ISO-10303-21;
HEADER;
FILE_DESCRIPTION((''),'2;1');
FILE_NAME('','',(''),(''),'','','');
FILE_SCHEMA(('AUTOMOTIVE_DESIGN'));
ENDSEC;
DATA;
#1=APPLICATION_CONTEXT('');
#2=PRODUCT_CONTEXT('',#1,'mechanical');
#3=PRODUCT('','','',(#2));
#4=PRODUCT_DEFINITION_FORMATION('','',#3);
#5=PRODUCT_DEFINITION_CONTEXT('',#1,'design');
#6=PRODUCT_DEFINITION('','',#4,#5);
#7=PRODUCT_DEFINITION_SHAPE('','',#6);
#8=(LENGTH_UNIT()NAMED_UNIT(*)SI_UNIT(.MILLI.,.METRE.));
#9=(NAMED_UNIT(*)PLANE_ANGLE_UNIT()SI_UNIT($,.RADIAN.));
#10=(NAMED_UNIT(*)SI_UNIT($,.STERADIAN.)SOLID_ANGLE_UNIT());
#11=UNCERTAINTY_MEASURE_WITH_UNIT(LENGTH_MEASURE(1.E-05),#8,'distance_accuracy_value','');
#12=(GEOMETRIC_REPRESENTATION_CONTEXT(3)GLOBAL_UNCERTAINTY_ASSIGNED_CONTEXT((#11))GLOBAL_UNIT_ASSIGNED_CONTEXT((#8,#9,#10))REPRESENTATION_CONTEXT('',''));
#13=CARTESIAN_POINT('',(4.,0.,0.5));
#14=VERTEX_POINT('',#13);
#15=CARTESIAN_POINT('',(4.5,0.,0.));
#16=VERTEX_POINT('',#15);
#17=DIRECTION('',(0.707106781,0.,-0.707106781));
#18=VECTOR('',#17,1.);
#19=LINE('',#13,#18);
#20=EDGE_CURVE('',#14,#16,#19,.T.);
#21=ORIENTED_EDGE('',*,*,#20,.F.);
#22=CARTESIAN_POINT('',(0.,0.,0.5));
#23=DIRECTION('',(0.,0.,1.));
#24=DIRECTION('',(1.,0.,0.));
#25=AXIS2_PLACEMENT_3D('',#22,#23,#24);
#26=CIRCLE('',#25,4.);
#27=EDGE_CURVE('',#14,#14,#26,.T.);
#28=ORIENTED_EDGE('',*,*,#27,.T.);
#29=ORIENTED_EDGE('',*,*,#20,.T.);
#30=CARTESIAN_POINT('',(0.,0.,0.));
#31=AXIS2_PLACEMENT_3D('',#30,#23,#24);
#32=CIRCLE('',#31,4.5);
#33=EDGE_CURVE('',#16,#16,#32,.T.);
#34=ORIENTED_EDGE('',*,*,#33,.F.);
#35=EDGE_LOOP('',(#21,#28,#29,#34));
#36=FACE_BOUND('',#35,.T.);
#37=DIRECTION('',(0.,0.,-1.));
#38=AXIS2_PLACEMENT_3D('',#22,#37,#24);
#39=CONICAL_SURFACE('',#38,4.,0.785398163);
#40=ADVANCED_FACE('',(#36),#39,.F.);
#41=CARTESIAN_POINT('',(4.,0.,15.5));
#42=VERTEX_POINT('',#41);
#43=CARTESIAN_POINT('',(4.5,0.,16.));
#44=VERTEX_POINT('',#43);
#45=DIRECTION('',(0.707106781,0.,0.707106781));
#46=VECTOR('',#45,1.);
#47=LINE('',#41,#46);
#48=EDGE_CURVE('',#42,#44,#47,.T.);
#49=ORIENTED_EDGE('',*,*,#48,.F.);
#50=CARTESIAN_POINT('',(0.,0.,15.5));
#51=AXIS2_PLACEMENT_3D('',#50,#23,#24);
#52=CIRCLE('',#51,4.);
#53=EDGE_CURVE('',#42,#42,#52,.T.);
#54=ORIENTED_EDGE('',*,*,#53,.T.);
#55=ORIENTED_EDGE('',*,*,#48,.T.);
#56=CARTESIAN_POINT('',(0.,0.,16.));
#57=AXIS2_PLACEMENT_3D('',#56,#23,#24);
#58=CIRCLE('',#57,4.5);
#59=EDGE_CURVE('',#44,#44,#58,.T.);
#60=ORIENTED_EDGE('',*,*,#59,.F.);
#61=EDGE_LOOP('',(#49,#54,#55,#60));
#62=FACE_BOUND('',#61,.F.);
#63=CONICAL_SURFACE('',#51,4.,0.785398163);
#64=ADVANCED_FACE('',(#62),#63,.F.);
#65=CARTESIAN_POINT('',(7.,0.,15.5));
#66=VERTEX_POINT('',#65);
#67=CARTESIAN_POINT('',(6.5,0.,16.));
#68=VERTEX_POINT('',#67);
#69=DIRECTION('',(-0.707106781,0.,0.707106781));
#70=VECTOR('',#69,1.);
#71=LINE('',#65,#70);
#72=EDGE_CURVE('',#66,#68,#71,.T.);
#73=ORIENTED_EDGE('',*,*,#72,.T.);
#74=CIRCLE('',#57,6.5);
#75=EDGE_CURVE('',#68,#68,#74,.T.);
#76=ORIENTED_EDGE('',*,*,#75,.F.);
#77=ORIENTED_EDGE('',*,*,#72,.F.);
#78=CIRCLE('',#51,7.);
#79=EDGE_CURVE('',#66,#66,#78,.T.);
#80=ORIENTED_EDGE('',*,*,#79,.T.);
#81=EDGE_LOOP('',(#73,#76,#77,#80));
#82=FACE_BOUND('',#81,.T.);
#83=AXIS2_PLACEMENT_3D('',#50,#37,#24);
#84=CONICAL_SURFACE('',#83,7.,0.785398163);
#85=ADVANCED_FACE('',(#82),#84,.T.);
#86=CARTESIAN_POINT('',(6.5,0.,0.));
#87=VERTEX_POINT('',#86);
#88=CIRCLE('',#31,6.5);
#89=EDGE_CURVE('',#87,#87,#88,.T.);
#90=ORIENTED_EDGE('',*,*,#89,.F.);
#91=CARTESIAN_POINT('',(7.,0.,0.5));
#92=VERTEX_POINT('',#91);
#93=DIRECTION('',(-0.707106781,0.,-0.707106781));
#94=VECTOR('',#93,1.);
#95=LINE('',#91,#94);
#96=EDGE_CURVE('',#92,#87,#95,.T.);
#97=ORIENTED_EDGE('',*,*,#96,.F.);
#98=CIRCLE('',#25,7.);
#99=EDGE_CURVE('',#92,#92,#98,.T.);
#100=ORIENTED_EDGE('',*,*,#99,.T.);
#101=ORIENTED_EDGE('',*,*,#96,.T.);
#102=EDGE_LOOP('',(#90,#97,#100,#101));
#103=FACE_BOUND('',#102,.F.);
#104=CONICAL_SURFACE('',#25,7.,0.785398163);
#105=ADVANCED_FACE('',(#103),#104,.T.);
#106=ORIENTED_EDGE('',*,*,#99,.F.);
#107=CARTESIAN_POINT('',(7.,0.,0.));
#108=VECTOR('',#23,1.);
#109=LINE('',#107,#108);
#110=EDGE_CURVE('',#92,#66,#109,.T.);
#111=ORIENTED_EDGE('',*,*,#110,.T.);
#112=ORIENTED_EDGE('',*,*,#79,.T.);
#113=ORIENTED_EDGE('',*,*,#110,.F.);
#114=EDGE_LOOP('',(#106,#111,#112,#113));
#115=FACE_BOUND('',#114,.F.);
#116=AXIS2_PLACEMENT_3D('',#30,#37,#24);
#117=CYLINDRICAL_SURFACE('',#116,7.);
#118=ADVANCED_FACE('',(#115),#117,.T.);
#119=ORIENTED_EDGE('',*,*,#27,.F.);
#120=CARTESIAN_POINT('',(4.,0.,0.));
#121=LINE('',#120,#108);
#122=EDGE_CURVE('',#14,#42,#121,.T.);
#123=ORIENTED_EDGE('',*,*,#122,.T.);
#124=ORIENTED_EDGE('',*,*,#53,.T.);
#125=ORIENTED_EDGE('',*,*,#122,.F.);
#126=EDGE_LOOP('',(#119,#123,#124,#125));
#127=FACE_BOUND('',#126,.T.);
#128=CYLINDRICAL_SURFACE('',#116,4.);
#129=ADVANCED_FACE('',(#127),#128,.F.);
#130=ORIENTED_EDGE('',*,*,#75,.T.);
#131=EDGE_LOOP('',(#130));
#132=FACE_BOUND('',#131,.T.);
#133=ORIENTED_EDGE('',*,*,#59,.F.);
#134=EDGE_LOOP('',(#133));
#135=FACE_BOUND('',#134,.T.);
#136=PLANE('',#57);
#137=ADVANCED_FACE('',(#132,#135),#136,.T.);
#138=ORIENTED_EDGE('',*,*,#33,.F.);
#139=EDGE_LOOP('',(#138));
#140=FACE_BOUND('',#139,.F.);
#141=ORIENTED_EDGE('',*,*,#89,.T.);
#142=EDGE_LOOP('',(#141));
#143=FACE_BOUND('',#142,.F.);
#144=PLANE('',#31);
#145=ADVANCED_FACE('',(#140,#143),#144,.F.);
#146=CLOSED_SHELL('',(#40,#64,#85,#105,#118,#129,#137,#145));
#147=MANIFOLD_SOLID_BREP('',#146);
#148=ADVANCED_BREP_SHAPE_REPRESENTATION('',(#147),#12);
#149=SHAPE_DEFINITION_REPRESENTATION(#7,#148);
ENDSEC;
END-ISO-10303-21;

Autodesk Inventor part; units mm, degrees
ref_plane "YZ Plane" through (0, 0, 0) normal (1, 0, 0) x (0, 1, 0)
ref_plane "XZ Plane" through (0, 0, 0) normal (0, 1, 0) x (-1, 0, 0)
ref_plane "XY Plane" through (0, 0, 0) normal (0, 0, 1) x (1, 0, 0)
sketch "Sketch1" plane through (0, 0, 0) normal (0, 0, 1) x (1, 0, 0)
  circle A0 centre (0, 0) radius 4
  circle A1 centre (0, 0) radius 7
  dimension "d0" = 14
  dimension "d1" = 8
extrude "Extrusion1" add sketch "Sketch1" along normal blind 16
chamfer "Chamfer1" distance 0.5 angle 45 4 edges at (-7, 0, 16) (-7, 0, 0) (-4, 0, 16) (-4, 0, 0)
properties part number "BearingBronze8x14x16" material "Bronze, Cast"
